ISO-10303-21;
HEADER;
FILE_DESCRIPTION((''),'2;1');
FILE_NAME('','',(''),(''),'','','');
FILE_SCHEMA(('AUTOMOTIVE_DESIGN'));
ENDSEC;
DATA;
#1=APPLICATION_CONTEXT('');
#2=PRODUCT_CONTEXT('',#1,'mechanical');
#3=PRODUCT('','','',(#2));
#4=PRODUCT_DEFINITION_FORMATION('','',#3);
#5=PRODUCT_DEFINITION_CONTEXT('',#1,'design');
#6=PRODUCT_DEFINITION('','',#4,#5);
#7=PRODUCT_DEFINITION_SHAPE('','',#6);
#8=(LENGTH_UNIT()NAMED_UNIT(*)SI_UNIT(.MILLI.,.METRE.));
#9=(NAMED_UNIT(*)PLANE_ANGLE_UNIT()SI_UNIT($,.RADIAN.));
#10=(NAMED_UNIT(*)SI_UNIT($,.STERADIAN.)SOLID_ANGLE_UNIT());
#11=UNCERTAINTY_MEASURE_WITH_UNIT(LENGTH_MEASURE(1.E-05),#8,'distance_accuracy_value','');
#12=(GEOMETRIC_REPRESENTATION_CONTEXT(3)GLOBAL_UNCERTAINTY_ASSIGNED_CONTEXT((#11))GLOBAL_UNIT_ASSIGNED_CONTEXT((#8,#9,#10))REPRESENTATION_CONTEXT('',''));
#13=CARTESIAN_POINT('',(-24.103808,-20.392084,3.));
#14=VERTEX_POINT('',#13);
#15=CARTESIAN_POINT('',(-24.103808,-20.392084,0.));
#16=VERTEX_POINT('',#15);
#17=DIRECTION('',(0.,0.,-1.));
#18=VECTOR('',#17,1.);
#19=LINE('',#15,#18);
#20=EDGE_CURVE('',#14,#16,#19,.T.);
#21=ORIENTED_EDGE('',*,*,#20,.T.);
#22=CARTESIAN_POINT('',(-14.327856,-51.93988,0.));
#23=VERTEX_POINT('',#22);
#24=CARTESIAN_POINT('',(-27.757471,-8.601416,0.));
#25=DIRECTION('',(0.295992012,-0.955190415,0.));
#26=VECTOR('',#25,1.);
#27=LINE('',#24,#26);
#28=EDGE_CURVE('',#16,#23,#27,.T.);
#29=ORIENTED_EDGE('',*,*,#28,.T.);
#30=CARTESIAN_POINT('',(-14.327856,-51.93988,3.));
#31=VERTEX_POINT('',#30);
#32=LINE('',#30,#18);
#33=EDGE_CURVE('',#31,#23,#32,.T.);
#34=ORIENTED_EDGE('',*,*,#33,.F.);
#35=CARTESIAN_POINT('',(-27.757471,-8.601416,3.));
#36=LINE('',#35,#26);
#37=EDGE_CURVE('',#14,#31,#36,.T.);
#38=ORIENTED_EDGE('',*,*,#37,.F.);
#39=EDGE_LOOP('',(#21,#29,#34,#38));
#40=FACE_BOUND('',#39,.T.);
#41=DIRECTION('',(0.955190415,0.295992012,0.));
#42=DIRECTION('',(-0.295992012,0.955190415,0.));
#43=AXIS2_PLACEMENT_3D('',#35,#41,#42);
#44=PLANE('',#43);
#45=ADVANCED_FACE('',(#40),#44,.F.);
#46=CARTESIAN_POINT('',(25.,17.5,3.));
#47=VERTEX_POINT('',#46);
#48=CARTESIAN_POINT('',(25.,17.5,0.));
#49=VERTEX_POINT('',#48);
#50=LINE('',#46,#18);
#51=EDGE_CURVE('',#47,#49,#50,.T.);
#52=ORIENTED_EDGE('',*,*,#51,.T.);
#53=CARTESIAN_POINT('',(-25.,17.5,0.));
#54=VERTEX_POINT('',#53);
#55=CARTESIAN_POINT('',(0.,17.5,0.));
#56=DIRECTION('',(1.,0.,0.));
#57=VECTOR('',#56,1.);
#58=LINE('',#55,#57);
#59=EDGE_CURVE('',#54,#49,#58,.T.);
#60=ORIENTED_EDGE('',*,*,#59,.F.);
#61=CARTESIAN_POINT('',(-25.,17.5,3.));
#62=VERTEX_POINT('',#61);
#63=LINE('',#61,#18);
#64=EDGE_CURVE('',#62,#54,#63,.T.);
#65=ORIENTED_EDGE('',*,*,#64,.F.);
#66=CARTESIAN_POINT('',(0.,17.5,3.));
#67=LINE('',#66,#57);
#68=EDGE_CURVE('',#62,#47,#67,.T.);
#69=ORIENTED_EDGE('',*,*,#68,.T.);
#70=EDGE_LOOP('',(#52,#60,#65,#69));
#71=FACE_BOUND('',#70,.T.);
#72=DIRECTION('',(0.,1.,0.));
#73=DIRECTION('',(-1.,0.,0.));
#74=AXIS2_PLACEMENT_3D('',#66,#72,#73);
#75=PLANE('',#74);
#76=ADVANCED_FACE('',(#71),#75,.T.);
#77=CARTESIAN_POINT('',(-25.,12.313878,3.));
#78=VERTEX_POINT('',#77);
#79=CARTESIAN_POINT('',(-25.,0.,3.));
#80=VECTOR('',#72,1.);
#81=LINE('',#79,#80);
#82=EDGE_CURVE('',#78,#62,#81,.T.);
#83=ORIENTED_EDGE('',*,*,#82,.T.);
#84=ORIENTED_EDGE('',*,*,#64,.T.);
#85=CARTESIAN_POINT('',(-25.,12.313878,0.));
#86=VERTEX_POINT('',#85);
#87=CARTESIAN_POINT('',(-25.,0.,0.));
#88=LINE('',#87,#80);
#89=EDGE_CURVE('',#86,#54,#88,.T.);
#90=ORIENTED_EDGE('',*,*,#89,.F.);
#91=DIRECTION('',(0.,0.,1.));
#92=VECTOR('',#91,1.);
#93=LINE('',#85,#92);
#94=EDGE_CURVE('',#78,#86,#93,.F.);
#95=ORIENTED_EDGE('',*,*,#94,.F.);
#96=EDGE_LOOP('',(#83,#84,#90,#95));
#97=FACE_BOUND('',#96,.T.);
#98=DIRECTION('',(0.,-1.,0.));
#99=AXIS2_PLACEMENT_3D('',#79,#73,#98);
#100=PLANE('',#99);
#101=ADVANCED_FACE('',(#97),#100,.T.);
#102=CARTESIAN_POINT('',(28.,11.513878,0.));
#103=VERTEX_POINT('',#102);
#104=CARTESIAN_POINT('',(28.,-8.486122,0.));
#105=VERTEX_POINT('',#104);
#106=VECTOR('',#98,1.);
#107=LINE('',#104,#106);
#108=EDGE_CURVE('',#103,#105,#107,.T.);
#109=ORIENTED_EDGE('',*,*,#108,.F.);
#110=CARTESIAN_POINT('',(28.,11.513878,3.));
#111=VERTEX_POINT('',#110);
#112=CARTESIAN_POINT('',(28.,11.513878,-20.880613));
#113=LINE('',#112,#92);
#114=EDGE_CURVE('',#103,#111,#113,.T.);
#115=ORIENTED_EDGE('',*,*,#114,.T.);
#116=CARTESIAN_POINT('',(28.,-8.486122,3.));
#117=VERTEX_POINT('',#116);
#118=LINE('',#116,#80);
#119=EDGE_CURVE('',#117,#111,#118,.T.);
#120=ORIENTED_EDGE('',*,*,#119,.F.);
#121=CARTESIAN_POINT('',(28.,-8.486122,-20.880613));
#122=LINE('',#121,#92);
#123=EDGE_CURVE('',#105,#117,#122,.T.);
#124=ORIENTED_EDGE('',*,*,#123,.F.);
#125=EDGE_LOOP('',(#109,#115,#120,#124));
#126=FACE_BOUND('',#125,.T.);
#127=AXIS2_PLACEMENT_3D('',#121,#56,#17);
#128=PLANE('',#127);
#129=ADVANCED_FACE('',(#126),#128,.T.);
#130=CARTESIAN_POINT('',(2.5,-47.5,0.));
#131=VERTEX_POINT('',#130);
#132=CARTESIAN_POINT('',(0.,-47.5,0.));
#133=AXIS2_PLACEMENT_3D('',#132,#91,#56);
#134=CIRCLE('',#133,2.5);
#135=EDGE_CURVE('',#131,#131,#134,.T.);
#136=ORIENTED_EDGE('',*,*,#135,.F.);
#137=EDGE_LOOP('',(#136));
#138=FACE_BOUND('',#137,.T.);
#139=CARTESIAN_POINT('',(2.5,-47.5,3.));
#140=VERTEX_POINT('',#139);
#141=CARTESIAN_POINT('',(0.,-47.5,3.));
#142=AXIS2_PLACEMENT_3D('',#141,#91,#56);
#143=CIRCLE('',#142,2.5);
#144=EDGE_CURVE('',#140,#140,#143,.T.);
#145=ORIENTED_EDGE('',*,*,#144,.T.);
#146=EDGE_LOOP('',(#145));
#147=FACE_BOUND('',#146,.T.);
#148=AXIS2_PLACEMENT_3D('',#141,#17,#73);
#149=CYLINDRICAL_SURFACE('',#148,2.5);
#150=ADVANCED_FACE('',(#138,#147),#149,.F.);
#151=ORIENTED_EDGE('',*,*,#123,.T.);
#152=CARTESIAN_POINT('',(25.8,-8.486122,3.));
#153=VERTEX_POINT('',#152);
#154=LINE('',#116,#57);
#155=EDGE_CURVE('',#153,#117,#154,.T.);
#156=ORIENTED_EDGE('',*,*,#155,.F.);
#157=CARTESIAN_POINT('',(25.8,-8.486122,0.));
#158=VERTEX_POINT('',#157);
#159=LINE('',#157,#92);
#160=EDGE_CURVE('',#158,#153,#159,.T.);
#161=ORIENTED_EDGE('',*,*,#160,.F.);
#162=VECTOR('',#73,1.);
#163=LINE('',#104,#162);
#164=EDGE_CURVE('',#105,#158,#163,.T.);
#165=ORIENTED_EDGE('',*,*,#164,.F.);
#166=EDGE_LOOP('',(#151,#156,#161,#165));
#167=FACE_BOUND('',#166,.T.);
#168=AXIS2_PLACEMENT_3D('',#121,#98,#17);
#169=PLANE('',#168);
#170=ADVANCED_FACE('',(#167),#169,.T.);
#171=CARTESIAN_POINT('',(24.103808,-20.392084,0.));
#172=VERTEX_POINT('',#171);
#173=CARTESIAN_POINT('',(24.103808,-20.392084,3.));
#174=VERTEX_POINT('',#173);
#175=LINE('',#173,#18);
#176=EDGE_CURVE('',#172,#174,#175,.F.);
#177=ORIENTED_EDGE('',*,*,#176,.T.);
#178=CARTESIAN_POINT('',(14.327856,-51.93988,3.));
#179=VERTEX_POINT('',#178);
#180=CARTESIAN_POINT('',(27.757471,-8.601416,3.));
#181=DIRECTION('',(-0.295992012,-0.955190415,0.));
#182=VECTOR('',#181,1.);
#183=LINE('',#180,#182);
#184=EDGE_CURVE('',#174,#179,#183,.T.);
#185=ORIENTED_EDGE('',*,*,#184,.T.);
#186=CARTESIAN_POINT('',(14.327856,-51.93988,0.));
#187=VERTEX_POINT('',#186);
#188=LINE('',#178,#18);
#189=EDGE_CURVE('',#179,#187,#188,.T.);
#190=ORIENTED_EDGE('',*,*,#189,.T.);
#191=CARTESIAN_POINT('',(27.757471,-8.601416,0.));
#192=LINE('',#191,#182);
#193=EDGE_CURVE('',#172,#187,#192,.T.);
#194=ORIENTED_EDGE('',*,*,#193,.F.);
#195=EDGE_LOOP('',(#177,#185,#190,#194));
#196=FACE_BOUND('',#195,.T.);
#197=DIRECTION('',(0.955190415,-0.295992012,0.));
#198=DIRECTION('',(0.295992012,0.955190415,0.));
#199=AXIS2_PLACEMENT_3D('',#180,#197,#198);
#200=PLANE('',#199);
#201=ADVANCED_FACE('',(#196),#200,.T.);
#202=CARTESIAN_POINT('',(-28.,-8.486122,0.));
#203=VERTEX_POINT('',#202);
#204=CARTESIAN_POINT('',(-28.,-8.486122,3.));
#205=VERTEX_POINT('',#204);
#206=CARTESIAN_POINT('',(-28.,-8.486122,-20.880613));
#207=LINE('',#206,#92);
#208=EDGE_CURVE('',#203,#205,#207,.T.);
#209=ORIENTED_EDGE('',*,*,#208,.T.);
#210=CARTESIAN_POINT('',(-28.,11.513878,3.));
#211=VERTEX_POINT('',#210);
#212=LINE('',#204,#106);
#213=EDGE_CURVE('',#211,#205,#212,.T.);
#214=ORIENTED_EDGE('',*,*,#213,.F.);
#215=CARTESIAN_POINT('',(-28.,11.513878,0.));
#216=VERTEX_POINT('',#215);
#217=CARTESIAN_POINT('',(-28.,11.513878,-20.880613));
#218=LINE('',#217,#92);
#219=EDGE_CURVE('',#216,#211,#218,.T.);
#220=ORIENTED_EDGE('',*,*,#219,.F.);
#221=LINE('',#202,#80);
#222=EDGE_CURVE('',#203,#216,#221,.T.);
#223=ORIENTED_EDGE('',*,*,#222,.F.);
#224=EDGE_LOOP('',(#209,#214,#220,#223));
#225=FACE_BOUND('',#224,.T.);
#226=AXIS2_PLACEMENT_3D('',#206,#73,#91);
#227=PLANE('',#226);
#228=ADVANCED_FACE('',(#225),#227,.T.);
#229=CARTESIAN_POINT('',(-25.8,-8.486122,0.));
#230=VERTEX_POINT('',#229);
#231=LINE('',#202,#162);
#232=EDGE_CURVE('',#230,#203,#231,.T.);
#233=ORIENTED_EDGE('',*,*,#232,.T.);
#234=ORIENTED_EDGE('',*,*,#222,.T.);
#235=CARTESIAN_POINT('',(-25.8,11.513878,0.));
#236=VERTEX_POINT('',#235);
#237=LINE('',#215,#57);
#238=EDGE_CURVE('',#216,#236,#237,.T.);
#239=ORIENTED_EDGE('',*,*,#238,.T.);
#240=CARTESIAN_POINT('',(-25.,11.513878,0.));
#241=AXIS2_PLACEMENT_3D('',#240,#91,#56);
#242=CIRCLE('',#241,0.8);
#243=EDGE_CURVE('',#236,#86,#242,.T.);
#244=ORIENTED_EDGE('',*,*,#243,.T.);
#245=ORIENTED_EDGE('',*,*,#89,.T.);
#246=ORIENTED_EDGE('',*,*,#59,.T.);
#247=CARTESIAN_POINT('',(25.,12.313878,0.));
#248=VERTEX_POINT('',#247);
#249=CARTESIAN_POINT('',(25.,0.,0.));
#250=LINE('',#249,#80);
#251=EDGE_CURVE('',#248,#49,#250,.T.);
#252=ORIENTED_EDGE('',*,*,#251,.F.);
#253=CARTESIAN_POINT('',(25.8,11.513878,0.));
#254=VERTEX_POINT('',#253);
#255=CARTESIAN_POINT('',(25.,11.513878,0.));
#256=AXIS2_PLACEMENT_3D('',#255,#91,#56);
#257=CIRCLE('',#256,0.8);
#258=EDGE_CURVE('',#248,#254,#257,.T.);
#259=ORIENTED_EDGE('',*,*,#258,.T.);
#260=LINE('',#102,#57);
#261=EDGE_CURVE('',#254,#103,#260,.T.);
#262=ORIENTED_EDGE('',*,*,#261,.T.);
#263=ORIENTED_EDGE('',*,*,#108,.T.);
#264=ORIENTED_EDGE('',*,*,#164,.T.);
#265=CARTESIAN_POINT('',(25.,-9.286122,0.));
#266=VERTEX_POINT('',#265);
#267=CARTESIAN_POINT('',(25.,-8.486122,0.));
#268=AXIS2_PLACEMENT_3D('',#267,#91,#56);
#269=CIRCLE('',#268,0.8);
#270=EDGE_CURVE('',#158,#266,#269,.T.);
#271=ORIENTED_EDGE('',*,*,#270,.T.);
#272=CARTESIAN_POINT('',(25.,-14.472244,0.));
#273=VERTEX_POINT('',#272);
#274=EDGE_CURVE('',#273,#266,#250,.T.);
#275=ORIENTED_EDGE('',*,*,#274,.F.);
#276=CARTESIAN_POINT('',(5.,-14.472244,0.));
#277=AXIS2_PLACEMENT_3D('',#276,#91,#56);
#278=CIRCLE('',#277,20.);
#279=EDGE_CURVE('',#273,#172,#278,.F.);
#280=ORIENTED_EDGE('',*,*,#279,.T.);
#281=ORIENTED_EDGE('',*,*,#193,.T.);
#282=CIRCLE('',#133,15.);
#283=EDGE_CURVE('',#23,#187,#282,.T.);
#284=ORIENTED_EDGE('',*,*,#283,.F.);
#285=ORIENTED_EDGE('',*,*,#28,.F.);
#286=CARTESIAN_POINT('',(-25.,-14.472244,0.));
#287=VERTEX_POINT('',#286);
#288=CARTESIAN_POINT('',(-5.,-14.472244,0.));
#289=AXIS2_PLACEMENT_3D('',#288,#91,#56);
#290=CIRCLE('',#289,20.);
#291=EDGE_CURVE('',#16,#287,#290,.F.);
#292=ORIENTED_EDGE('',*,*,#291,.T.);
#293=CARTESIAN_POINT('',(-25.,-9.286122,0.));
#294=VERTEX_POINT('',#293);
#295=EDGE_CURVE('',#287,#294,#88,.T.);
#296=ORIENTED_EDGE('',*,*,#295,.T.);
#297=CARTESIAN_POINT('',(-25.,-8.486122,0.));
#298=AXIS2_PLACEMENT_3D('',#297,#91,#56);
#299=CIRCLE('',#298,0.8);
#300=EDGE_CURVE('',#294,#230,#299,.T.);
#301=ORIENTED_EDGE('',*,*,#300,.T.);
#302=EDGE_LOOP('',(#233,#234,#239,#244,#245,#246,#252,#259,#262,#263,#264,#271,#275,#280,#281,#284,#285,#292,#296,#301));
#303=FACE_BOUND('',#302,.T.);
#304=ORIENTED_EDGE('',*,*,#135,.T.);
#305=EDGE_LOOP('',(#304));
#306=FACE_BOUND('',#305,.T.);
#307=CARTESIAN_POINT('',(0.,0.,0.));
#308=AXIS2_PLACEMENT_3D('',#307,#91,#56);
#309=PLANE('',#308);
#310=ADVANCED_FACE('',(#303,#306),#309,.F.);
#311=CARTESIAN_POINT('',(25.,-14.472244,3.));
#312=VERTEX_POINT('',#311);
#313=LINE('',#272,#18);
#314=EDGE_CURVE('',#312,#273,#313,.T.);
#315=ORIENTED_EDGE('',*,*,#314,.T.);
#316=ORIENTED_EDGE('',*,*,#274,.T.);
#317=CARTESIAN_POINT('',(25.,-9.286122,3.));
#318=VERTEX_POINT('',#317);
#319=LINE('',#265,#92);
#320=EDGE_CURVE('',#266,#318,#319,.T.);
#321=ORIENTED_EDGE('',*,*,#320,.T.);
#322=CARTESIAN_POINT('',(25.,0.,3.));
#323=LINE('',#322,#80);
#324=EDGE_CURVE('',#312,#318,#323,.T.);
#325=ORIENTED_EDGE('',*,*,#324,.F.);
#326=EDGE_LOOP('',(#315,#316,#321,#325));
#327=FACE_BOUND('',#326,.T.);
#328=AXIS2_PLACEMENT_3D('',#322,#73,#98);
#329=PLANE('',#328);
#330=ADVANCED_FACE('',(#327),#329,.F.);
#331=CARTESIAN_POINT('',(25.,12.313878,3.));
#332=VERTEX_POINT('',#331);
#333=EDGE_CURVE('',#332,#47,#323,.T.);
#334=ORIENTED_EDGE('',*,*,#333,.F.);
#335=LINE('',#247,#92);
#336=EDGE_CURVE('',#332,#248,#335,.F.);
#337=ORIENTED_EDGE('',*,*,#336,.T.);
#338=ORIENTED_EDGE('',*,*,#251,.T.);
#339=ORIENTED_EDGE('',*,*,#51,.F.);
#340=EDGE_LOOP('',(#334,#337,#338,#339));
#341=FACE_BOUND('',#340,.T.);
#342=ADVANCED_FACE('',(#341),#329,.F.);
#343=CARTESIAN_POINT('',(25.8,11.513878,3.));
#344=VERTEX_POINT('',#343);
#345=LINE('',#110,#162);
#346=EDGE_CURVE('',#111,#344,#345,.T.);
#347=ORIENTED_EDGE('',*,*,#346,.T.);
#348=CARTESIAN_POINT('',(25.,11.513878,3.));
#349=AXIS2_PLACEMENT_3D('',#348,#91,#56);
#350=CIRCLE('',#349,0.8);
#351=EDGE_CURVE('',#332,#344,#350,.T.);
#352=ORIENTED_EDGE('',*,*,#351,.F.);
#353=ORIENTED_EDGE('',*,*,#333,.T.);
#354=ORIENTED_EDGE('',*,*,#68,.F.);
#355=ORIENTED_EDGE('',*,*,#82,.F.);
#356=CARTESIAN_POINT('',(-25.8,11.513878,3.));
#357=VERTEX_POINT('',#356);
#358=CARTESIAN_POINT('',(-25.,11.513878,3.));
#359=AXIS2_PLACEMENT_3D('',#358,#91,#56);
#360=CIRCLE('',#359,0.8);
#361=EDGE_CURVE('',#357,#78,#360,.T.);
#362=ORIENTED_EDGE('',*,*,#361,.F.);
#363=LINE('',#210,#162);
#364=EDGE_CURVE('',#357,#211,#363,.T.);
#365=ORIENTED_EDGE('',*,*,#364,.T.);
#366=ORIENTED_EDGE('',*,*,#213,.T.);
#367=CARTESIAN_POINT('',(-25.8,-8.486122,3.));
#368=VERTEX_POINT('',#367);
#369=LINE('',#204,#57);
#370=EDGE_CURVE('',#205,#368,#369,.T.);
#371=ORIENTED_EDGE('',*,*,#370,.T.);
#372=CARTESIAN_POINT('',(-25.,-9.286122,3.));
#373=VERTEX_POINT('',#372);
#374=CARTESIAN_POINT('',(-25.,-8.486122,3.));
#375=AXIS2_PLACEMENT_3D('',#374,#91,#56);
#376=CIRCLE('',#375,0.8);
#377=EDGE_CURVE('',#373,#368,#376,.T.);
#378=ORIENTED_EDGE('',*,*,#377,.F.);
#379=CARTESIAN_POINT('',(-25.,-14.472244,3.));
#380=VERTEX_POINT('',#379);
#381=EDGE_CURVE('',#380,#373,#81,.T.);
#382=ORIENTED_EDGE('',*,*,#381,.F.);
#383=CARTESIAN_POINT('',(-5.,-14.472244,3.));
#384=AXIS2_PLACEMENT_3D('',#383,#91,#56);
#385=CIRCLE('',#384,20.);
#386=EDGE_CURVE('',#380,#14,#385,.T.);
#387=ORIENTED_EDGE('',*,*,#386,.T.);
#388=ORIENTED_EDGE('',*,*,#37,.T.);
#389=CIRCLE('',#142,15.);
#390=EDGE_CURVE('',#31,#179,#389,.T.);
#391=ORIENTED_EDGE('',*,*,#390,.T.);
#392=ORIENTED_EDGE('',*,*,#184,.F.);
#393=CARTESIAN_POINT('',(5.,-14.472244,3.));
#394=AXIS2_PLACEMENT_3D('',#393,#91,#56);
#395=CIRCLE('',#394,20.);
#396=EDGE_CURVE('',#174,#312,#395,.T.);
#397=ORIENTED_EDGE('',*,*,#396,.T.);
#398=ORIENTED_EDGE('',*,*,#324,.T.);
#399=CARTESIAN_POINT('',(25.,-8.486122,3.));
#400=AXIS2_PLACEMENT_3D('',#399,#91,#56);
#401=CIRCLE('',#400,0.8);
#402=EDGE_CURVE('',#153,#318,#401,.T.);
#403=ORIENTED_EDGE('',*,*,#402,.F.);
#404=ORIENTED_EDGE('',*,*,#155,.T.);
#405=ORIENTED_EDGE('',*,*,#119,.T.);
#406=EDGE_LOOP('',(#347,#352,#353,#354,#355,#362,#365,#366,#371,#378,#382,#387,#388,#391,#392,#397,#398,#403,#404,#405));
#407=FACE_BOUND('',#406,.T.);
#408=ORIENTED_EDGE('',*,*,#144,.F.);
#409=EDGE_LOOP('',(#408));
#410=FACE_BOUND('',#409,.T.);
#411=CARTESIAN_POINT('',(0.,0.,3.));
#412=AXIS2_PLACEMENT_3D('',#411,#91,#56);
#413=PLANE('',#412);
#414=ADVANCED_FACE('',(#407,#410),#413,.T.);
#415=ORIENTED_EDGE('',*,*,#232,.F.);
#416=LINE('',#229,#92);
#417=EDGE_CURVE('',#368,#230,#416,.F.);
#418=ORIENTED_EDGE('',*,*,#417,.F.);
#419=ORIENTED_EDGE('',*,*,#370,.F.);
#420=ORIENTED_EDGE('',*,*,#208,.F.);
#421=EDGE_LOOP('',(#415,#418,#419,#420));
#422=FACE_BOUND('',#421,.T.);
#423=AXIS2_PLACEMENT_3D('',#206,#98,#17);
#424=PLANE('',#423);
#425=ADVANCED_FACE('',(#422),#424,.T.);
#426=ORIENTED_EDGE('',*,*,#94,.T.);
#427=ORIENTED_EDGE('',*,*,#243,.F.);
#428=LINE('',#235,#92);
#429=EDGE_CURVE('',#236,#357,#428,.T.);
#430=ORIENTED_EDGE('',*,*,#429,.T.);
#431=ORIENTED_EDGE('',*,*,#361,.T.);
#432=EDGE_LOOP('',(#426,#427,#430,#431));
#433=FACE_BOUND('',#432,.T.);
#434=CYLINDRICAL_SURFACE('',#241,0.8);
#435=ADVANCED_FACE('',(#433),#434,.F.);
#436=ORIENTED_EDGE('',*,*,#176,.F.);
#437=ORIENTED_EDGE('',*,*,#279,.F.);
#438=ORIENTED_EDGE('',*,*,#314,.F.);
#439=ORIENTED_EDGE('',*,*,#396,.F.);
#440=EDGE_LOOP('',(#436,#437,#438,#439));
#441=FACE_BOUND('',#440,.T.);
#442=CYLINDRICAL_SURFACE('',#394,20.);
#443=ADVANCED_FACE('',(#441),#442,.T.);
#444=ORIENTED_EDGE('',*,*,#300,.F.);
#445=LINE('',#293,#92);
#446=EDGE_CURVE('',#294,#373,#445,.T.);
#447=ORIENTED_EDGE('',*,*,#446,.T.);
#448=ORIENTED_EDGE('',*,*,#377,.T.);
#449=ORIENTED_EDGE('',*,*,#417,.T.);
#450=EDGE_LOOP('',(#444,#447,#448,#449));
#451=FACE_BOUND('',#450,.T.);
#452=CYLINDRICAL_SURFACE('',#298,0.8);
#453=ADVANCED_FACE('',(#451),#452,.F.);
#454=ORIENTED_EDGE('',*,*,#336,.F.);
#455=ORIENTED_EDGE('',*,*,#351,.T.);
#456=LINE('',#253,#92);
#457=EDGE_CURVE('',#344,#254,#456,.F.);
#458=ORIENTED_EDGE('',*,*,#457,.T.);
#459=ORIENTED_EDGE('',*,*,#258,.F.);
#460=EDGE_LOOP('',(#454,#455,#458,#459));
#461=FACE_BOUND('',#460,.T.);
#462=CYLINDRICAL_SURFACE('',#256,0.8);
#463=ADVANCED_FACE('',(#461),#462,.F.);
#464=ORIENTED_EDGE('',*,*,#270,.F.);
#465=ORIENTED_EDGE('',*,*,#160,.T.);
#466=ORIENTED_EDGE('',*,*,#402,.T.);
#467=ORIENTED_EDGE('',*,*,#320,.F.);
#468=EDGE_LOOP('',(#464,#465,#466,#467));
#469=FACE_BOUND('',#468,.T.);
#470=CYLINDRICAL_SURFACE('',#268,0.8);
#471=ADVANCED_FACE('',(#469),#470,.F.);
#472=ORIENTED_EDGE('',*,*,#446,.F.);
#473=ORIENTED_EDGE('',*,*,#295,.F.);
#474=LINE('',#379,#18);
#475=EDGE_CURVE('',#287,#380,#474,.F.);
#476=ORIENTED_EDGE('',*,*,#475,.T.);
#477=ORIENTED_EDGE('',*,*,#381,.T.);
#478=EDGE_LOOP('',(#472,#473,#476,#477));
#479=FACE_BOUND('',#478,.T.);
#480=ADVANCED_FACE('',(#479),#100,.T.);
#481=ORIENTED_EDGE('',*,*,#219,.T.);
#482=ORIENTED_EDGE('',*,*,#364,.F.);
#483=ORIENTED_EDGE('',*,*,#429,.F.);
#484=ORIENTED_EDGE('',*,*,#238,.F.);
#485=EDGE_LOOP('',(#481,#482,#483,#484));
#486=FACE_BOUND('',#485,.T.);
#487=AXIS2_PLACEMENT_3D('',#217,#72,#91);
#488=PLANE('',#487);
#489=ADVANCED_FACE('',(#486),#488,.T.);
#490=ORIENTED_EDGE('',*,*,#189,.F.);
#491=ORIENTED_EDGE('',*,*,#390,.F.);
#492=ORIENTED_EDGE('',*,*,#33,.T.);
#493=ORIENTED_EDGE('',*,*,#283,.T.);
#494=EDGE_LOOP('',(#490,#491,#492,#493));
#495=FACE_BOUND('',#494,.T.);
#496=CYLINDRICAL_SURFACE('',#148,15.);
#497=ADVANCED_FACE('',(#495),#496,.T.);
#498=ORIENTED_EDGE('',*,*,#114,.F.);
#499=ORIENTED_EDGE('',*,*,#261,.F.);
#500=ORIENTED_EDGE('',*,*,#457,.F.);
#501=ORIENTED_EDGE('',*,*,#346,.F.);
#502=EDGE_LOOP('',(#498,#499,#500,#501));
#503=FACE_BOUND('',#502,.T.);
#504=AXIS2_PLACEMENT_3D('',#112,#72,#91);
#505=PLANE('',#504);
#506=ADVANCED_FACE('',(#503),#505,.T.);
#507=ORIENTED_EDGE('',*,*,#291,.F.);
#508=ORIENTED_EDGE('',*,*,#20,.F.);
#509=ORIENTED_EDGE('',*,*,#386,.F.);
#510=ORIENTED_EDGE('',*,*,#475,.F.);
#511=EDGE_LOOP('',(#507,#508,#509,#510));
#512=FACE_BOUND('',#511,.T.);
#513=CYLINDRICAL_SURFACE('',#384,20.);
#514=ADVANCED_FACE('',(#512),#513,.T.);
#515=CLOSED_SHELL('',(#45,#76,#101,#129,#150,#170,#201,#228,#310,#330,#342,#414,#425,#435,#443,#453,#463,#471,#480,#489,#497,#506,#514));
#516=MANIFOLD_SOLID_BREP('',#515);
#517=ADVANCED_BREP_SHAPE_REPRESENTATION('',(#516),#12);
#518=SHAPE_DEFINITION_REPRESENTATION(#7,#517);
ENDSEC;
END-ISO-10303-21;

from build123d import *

# Parameters (mm, degrees)
SKETCH1_W           = 50
SKETCH1_H           = 35
SKETCH1_R           = 2.5
BOSS_EXTRUDE1_DEPTH = 3
FILLET1_R           = 20
SKETCH2_W           = 6
SKETCH2_H           = 20
BOSS_EXTRUDE2_DEPTH = 3
SKETCH3_R           = 0.8
CUT_EXTRUDE1_DEPTH  = 69.551075849


with BuildPart() as part:
    # Sketch1 → Boss-Extrude1 (new body)
    # profile 1 of 2: a face of its own
    with BuildSketch(Plane.XY):
        Rectangle(SKETCH1_W, SKETCH1_H)
    # profile 2 of 2: a face of its own
    with BuildSketch(Plane.XY):
        with BuildLine():
            Line((-25, -17.5), (-14.327856223, -51.939880186))
            ThreePointArc((-14.327856223, -51.939880186), (0, -62.5), (14.327856223, -51.939880186))
            Line((14.327856223, -51.939880186), (25, -17.5))
            Line((25, -17.5), (-25, -17.5))
        make_face()
        with Locations((0, -47.5)):
            Circle(SKETCH1_R, mode=Mode.SUBTRACT)
    extrude(amount=BOSS_EXTRUDE1_DEPTH)

    # Fillet1
    fillet1_edges = [part.edges().sort_by_distance(p)[0] for p in [
        (25, -17.5, 1.5),
        (-25, -17.5, 1.5),
    ]]
    fillet(fillet1_edges, radius=FILLET1_R)

    # Sketch2 → Boss-Extrude2 (add)
    with BuildSketch(Plane.XY.offset(3)):
        with Locations((-25, 1.513878189)):
            Rectangle(SKETCH2_W, SKETCH2_H)
        with Locations((25, 1.513878189)):
            Rectangle(SKETCH2_W, SKETCH2_H)
    extrude(amount=-BOSS_EXTRUDE2_DEPTH)

    # Sketch3 → Cut-Extrude1 (cut, through all)
    with BuildSketch(Plane.XY.offset(3)):
        with Locations((-25, 11.513878189)):
            Circle(SKETCH3_R)
        with Locations((-25, -8.486121811)):
            Circle(SKETCH3_R)
        with Locations((25, 11.513878189)):
            Circle(SKETCH3_R)
        with Locations((25, -8.486121811)):
            Circle(SKETCH3_R)
    extrude(amount=-CUT_EXTRUDE1_DEPTH, mode=Mode.SUBTRACT)


solid = part.part
